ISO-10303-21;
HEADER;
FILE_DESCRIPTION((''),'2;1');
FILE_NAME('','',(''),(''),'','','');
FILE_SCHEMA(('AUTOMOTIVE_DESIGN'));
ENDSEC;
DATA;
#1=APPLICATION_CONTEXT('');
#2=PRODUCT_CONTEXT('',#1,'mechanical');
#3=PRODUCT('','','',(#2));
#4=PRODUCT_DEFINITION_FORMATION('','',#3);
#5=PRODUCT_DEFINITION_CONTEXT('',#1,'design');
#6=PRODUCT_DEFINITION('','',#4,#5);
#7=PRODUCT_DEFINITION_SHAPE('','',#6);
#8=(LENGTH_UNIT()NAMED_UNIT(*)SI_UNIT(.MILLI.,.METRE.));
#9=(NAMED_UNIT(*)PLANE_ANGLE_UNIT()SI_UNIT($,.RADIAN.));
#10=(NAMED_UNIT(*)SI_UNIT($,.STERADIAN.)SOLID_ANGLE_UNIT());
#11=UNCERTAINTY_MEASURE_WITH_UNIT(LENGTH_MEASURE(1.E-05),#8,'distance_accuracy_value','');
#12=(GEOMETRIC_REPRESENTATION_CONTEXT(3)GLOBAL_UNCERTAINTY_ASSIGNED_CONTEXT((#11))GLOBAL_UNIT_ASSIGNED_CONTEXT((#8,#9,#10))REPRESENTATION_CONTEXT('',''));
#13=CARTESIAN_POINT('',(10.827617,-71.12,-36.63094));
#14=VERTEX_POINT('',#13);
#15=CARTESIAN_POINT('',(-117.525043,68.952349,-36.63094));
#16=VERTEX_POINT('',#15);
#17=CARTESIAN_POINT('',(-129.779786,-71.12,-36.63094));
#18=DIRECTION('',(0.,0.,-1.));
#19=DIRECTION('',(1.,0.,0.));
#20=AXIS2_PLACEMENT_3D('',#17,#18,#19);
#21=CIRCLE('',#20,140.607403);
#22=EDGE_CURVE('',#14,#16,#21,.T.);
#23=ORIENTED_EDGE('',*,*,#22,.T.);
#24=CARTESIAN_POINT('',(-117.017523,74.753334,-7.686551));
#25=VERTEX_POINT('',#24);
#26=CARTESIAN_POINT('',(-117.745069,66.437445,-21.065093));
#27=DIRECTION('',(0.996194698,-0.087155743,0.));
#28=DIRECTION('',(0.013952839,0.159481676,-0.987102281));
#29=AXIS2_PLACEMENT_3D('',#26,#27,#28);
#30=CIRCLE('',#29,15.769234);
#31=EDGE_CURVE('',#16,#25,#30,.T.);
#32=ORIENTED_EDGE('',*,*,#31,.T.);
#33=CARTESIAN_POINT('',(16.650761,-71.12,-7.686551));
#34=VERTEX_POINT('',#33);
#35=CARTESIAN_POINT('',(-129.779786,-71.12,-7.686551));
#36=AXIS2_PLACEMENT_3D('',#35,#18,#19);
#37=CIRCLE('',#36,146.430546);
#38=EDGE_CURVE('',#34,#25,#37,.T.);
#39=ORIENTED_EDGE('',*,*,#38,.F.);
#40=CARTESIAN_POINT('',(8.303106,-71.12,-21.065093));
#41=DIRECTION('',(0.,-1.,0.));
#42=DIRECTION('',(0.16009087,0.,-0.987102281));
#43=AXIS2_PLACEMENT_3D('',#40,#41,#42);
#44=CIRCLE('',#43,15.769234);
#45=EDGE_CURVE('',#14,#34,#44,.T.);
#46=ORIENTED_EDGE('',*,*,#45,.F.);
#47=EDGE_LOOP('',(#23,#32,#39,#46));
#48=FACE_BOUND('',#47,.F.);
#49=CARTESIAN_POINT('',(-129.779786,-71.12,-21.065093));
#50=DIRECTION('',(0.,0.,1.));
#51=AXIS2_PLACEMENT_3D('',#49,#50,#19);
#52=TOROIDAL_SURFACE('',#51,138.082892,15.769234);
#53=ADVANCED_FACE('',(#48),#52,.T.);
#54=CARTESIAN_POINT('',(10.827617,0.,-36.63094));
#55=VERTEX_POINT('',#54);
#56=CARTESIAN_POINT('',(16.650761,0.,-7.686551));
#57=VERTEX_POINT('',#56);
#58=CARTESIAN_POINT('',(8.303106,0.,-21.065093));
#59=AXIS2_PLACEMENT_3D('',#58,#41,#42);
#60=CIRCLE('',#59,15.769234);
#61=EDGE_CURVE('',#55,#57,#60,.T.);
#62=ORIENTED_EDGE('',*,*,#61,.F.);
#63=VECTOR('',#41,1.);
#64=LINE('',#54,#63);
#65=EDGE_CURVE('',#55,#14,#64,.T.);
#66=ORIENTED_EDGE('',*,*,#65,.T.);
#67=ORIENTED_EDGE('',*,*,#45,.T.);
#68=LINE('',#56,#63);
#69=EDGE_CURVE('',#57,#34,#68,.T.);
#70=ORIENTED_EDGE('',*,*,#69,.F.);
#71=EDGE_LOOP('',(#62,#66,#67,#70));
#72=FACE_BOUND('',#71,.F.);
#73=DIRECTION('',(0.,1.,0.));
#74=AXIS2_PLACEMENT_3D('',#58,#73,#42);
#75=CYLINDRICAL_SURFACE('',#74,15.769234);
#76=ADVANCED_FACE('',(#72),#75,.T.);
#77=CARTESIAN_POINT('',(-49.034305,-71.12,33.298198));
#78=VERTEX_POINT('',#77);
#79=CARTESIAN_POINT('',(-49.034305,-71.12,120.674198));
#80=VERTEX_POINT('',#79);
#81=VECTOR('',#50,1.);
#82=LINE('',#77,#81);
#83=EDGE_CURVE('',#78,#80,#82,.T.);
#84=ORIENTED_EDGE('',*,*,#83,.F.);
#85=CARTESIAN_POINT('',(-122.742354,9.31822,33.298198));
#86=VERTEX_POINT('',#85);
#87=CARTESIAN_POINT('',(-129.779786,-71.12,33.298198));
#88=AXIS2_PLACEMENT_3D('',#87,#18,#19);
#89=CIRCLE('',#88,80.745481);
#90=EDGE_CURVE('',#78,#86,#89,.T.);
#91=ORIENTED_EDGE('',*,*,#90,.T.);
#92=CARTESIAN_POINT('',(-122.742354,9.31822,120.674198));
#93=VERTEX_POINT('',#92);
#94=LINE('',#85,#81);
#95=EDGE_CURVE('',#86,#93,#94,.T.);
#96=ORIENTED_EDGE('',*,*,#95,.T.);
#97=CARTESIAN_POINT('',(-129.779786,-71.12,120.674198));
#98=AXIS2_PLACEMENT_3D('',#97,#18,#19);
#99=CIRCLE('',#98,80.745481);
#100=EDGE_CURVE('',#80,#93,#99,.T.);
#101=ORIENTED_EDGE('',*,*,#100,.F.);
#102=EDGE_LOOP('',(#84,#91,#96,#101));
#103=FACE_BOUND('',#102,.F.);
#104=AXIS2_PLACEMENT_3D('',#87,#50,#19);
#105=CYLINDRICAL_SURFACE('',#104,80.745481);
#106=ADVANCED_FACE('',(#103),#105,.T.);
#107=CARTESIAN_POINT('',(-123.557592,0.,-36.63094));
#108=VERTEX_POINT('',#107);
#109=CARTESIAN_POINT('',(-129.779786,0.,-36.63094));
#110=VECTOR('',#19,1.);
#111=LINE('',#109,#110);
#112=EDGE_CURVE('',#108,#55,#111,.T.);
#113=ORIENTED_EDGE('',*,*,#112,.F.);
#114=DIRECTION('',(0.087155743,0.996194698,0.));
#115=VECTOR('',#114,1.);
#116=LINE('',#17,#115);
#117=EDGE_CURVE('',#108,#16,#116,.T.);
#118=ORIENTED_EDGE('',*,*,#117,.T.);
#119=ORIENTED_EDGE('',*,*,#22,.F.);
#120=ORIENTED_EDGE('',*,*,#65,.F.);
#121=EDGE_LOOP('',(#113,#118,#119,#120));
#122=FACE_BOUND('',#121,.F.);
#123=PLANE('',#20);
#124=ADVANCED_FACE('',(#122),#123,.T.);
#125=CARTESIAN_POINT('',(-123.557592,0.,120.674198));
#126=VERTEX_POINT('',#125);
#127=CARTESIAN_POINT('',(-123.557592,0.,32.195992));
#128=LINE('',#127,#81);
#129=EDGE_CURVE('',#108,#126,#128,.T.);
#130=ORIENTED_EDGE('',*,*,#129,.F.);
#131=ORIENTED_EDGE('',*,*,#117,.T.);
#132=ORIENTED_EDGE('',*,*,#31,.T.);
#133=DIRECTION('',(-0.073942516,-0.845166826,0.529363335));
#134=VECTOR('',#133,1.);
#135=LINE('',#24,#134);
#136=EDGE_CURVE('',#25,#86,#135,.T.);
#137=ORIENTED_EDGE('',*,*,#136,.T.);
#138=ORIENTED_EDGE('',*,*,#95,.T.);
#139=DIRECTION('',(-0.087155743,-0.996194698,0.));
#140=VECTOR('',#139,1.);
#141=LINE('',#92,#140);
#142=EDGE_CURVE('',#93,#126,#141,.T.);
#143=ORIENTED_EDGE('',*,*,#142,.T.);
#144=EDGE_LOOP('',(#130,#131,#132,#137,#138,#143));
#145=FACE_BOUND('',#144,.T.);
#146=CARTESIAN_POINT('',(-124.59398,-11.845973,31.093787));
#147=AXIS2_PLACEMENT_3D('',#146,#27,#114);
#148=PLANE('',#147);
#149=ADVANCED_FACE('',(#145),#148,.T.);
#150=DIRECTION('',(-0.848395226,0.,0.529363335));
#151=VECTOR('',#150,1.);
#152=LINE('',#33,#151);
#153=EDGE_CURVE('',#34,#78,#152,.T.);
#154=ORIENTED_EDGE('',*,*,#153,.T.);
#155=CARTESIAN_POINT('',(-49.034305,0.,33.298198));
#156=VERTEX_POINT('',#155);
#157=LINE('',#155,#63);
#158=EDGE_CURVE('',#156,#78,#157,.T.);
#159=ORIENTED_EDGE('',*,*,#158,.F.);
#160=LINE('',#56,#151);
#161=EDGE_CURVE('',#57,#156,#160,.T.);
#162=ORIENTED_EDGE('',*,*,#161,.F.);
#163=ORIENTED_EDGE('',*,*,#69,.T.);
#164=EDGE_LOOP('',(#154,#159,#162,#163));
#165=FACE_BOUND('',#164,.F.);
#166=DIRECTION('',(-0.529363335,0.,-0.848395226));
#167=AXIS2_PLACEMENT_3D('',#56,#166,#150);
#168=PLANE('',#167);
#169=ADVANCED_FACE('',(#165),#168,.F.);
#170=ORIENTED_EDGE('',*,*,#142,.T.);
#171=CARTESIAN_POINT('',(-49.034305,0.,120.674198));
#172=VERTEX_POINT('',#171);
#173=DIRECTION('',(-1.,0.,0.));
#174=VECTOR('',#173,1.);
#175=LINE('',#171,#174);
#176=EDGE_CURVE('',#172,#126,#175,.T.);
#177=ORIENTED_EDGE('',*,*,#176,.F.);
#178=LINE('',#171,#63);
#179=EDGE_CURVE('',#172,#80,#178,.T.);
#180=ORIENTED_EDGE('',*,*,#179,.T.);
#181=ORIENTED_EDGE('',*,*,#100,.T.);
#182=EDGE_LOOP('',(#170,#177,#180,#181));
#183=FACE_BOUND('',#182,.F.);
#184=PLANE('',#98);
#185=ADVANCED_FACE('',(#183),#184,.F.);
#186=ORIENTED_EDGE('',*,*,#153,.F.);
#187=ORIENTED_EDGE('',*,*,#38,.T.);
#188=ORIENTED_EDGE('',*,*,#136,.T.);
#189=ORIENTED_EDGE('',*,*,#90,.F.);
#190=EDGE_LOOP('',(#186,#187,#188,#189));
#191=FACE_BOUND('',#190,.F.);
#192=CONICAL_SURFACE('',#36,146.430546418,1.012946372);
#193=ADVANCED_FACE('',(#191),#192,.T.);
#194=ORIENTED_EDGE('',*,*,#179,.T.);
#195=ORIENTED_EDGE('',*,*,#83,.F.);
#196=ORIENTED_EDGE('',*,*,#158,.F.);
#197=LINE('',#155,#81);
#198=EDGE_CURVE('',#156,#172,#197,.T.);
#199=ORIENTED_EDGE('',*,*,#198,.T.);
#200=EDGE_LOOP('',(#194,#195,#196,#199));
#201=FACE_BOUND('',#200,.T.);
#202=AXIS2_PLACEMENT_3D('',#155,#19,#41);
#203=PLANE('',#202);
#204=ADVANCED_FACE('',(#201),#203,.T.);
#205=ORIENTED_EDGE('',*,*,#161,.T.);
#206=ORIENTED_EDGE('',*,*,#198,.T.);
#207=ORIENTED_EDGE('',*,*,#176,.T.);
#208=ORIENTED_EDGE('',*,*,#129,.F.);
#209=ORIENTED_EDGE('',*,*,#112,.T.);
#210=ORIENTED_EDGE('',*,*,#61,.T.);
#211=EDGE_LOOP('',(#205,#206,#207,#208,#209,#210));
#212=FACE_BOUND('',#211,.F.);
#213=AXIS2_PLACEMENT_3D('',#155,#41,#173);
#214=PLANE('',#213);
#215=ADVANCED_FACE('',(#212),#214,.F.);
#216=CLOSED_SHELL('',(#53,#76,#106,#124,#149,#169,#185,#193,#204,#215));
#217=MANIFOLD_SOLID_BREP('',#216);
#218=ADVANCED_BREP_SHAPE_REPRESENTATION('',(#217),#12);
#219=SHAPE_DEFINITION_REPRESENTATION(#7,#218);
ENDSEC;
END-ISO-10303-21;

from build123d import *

# Parameters (mm, degrees)
F1_DEPTH = 71.12
F2_DEPTH = 87.376
F3_ANGLE = 275


with BuildPart() as f1:
    # F0 (on Front) → F1 (new body)
    with BuildSketch(Plane.XZ):
        with BuildLine():
            Line((-129.7797858715, 33.2981981337), (-129.7797858715, -36.6309396923))
            Line((-129.7797858715, -36.6309396923), (10.8276167884, -36.6309396923))
            ThreePointArc((10.8276167884, -36.6309396923), (23.7625826148, -24.1752902471), (16.6507605463, -7.686550729))
            Line((16.6507605463, -7.686550729), (-49.0343049169, 33.2981981337))
            Line((-49.0343049169, 33.2981981337), (-129.7797858715, 33.2981981337))
        make_face()
    extrude(amount=F1_DEPTH)

    # F2 (add): a face of the model
    f2_faces = [f1.faces().sort_by_distance(p)[0] for p in [
        (-89.4070453942, -35.56, 33.2981981337),
    ]]
    extrude(f2_faces, amount=F2_DEPTH)

    # F2_face (on face) → F3 (revolve)
    with BuildSketch(Plane(origin=(-74.6235346517, -71.12, 30.893227171), x_dir=(1, 0, 0), z_dir=(0, -1, 0))):
        with BuildLine():
            Line((91.274295198, -38.5797779), (25.5892297349, 2.4049709627))
            Line((25.5892297349, 2.4049709627), (25.5892297349, 89.7809709627))
            Line((25.5892297349, 89.7809709627), (-55.1562512198, 89.7809709627))
            Line((-55.1562512198, 89.7809709627), (-55.1562512198, -67.5241668633))
            Line((-55.1562512198, -67.5241668633), (85.4511514402, -67.5241668633))
            ThreePointArc((85.4511514402, -67.5241668633), (98.3861172665, -55.0685174181), (91.274295198, -38.5797779))
        make_face()
    revolve(axis=Axis((-129.7797858715, -71.12, 42.0216292207), (0, 0, -1)), revolution_arc=F3_ANGLE)


solid = f1.part
